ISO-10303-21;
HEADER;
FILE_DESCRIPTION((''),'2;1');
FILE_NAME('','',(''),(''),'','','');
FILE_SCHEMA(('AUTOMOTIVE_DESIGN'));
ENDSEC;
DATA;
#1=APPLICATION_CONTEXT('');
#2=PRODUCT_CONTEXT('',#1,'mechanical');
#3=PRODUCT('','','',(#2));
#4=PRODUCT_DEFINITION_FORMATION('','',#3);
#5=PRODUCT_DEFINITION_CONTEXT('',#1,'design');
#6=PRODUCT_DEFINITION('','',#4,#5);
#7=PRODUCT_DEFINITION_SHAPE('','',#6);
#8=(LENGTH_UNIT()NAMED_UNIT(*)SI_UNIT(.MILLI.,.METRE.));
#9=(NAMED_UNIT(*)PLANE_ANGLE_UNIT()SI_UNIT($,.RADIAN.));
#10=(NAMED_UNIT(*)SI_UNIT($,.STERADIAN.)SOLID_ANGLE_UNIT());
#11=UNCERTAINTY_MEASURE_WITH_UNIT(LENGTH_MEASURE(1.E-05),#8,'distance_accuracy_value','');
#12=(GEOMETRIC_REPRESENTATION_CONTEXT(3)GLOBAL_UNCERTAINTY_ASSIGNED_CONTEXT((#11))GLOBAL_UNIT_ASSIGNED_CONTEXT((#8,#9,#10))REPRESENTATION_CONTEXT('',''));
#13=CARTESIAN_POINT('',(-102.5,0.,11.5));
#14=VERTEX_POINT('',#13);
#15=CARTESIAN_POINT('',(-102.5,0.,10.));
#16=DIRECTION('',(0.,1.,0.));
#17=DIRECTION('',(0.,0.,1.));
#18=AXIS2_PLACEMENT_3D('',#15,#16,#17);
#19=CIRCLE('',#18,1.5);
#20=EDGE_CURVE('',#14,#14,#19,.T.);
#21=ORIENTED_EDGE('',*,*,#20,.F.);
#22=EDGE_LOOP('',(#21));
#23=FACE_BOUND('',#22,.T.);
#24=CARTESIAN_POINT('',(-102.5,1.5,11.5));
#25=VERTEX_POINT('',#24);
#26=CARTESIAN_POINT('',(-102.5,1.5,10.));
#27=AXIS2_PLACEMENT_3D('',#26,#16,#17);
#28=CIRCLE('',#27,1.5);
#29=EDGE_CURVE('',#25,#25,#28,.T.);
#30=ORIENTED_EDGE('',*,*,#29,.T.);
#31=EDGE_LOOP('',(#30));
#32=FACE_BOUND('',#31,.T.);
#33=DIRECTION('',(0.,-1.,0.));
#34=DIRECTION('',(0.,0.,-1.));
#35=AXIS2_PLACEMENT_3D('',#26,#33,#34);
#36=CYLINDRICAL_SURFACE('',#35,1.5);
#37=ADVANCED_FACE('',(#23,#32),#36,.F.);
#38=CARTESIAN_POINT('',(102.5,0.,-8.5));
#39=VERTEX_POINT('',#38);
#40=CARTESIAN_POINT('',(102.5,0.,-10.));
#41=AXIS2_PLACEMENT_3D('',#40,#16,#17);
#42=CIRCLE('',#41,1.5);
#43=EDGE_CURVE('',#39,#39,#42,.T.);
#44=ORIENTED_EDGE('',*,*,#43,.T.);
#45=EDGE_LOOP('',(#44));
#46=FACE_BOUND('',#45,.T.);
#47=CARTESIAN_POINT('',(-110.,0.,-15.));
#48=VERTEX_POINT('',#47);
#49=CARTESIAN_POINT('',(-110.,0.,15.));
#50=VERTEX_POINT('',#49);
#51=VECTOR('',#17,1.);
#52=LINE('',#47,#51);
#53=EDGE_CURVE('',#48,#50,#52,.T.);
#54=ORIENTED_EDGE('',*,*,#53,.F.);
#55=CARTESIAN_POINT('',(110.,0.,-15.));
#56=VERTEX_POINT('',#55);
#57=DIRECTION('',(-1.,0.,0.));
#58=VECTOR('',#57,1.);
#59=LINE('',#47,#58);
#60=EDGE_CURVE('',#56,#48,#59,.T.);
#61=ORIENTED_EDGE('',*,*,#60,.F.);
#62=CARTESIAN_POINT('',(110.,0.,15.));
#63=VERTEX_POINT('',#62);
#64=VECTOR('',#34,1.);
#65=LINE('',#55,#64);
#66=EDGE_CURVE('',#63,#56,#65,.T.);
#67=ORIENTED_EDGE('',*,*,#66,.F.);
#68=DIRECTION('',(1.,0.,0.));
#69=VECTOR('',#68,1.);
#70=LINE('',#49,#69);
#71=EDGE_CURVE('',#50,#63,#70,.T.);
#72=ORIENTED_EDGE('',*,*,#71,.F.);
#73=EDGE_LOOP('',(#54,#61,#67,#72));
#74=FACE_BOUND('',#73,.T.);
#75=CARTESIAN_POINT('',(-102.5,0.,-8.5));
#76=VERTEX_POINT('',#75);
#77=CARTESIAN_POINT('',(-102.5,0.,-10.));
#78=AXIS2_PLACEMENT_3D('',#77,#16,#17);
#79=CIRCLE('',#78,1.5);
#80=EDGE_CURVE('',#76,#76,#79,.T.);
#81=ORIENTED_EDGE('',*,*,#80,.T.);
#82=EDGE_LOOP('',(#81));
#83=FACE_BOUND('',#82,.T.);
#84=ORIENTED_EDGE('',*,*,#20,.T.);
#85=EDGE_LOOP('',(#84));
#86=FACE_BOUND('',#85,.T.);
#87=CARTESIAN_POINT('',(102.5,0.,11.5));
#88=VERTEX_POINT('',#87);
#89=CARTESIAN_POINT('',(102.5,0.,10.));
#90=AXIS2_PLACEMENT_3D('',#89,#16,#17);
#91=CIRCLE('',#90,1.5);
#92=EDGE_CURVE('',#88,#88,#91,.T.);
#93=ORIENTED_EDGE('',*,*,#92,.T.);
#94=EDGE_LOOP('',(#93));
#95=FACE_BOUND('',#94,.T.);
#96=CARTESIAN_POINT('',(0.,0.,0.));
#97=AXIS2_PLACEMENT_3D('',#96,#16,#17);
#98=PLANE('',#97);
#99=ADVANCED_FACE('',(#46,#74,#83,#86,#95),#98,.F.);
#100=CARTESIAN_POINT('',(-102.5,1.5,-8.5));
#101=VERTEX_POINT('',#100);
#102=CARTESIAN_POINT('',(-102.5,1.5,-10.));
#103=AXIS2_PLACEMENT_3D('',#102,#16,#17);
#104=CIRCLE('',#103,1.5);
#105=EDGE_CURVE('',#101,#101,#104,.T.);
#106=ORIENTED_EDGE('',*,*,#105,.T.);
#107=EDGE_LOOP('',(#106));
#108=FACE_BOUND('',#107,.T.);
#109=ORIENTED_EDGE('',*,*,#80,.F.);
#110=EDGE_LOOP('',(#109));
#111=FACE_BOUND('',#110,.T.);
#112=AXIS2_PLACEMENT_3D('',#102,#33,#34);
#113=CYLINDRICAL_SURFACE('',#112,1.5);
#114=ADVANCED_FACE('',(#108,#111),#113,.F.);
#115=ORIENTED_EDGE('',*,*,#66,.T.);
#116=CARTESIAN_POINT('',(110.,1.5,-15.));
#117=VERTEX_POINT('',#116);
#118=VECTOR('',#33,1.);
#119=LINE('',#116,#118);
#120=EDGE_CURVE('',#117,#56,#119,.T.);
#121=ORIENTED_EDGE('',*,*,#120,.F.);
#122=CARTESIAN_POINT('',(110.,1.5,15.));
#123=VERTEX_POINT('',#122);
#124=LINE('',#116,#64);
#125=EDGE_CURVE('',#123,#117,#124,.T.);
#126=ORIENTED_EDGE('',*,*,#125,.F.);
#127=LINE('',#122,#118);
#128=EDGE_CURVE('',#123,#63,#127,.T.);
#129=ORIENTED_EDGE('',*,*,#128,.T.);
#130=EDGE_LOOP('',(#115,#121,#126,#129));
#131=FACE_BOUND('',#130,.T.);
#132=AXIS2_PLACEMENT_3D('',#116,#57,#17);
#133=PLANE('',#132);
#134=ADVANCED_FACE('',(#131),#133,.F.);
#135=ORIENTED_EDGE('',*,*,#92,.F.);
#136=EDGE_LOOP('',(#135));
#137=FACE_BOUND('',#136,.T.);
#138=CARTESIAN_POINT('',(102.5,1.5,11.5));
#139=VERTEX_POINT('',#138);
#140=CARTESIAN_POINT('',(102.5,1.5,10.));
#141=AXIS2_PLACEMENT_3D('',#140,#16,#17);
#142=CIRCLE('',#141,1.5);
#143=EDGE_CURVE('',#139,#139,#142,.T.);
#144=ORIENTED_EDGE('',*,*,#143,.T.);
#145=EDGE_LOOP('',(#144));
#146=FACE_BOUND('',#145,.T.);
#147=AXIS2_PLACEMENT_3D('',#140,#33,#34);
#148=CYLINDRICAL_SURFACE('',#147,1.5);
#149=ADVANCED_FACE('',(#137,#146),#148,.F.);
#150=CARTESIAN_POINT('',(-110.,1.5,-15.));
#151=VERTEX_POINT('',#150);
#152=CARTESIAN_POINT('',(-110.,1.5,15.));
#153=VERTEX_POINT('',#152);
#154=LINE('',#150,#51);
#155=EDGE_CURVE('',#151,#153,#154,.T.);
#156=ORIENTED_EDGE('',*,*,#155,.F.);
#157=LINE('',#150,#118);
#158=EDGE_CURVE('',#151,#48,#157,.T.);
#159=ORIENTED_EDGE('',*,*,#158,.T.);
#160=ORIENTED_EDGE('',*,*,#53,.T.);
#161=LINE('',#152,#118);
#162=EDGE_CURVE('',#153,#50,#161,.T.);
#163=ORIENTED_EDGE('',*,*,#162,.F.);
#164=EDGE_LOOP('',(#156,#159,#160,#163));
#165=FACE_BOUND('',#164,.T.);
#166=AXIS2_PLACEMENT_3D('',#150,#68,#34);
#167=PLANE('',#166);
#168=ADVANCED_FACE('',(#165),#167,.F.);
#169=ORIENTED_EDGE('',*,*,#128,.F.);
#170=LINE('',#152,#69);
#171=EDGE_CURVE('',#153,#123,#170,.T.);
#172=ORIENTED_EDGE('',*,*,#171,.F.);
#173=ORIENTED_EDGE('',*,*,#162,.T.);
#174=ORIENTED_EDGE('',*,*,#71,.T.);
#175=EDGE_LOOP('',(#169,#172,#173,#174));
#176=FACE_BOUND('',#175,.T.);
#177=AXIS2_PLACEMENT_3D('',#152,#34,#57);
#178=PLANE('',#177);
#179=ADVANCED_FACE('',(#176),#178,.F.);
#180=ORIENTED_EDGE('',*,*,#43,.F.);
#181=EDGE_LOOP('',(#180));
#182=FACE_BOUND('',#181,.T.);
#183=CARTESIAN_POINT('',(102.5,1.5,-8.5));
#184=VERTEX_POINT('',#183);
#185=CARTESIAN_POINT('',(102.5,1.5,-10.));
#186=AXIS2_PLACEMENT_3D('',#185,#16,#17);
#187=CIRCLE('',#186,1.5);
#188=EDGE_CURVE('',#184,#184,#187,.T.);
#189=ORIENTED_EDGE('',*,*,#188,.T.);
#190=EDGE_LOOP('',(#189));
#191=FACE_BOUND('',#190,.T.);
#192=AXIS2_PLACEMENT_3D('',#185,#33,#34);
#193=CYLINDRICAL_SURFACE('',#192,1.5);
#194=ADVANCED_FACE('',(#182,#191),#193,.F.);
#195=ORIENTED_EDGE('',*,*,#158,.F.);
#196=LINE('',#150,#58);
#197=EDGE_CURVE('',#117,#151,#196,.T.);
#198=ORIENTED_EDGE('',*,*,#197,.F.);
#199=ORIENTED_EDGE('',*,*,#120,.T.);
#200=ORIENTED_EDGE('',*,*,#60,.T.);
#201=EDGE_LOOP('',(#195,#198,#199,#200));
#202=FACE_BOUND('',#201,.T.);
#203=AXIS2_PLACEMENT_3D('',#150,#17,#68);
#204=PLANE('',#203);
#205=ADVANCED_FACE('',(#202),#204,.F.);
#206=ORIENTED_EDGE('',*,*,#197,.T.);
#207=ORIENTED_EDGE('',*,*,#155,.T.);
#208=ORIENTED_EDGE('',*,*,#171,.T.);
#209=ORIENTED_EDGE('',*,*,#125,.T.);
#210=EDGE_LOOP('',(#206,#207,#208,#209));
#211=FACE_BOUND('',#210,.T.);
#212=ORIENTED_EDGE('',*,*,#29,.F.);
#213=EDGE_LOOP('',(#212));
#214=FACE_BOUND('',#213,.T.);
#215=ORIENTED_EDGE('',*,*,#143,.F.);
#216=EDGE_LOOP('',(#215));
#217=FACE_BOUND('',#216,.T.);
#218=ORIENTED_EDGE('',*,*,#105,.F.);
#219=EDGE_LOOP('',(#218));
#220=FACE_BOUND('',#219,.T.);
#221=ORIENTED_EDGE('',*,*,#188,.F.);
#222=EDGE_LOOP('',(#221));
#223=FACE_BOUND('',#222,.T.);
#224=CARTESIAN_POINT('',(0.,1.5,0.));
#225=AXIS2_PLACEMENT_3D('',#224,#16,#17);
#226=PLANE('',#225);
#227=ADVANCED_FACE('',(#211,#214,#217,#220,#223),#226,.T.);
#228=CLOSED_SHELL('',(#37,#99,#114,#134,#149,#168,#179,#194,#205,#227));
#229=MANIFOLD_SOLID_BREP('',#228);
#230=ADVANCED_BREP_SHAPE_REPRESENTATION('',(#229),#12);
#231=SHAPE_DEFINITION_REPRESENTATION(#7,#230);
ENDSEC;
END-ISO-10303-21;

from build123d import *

# Parameters (mm, degrees)
SKETCH1_W           = 220
SKETCH1_H           = 30
SKETCH1_R           = 1.5
BOSS_EXTRUDE1_DEPTH = 1.5


with BuildPart() as part:
    # Sketch1 → Boss-Extrude1 (new body)
    with BuildSketch(Plane(origin=(0, 0, 0), x_dir=(1, 0, 0), z_dir=(0, 1, 0))):
        Rectangle(SKETCH1_W, SKETCH1_H)
        with Locations((-102.5, 10)):
            Circle(SKETCH1_R, mode=Mode.SUBTRACT)
        with Locations((-102.5, -10)):
            Circle(SKETCH1_R, mode=Mode.SUBTRACT)
        with Locations((102.5, 10)):
            Circle(SKETCH1_R, mode=Mode.SUBTRACT)
        with Locations((102.5, -10)):
            Circle(SKETCH1_R, mode=Mode.SUBTRACT)
    extrude(amount=BOSS_EXTRUDE1_DEPTH)


solid = part.part
